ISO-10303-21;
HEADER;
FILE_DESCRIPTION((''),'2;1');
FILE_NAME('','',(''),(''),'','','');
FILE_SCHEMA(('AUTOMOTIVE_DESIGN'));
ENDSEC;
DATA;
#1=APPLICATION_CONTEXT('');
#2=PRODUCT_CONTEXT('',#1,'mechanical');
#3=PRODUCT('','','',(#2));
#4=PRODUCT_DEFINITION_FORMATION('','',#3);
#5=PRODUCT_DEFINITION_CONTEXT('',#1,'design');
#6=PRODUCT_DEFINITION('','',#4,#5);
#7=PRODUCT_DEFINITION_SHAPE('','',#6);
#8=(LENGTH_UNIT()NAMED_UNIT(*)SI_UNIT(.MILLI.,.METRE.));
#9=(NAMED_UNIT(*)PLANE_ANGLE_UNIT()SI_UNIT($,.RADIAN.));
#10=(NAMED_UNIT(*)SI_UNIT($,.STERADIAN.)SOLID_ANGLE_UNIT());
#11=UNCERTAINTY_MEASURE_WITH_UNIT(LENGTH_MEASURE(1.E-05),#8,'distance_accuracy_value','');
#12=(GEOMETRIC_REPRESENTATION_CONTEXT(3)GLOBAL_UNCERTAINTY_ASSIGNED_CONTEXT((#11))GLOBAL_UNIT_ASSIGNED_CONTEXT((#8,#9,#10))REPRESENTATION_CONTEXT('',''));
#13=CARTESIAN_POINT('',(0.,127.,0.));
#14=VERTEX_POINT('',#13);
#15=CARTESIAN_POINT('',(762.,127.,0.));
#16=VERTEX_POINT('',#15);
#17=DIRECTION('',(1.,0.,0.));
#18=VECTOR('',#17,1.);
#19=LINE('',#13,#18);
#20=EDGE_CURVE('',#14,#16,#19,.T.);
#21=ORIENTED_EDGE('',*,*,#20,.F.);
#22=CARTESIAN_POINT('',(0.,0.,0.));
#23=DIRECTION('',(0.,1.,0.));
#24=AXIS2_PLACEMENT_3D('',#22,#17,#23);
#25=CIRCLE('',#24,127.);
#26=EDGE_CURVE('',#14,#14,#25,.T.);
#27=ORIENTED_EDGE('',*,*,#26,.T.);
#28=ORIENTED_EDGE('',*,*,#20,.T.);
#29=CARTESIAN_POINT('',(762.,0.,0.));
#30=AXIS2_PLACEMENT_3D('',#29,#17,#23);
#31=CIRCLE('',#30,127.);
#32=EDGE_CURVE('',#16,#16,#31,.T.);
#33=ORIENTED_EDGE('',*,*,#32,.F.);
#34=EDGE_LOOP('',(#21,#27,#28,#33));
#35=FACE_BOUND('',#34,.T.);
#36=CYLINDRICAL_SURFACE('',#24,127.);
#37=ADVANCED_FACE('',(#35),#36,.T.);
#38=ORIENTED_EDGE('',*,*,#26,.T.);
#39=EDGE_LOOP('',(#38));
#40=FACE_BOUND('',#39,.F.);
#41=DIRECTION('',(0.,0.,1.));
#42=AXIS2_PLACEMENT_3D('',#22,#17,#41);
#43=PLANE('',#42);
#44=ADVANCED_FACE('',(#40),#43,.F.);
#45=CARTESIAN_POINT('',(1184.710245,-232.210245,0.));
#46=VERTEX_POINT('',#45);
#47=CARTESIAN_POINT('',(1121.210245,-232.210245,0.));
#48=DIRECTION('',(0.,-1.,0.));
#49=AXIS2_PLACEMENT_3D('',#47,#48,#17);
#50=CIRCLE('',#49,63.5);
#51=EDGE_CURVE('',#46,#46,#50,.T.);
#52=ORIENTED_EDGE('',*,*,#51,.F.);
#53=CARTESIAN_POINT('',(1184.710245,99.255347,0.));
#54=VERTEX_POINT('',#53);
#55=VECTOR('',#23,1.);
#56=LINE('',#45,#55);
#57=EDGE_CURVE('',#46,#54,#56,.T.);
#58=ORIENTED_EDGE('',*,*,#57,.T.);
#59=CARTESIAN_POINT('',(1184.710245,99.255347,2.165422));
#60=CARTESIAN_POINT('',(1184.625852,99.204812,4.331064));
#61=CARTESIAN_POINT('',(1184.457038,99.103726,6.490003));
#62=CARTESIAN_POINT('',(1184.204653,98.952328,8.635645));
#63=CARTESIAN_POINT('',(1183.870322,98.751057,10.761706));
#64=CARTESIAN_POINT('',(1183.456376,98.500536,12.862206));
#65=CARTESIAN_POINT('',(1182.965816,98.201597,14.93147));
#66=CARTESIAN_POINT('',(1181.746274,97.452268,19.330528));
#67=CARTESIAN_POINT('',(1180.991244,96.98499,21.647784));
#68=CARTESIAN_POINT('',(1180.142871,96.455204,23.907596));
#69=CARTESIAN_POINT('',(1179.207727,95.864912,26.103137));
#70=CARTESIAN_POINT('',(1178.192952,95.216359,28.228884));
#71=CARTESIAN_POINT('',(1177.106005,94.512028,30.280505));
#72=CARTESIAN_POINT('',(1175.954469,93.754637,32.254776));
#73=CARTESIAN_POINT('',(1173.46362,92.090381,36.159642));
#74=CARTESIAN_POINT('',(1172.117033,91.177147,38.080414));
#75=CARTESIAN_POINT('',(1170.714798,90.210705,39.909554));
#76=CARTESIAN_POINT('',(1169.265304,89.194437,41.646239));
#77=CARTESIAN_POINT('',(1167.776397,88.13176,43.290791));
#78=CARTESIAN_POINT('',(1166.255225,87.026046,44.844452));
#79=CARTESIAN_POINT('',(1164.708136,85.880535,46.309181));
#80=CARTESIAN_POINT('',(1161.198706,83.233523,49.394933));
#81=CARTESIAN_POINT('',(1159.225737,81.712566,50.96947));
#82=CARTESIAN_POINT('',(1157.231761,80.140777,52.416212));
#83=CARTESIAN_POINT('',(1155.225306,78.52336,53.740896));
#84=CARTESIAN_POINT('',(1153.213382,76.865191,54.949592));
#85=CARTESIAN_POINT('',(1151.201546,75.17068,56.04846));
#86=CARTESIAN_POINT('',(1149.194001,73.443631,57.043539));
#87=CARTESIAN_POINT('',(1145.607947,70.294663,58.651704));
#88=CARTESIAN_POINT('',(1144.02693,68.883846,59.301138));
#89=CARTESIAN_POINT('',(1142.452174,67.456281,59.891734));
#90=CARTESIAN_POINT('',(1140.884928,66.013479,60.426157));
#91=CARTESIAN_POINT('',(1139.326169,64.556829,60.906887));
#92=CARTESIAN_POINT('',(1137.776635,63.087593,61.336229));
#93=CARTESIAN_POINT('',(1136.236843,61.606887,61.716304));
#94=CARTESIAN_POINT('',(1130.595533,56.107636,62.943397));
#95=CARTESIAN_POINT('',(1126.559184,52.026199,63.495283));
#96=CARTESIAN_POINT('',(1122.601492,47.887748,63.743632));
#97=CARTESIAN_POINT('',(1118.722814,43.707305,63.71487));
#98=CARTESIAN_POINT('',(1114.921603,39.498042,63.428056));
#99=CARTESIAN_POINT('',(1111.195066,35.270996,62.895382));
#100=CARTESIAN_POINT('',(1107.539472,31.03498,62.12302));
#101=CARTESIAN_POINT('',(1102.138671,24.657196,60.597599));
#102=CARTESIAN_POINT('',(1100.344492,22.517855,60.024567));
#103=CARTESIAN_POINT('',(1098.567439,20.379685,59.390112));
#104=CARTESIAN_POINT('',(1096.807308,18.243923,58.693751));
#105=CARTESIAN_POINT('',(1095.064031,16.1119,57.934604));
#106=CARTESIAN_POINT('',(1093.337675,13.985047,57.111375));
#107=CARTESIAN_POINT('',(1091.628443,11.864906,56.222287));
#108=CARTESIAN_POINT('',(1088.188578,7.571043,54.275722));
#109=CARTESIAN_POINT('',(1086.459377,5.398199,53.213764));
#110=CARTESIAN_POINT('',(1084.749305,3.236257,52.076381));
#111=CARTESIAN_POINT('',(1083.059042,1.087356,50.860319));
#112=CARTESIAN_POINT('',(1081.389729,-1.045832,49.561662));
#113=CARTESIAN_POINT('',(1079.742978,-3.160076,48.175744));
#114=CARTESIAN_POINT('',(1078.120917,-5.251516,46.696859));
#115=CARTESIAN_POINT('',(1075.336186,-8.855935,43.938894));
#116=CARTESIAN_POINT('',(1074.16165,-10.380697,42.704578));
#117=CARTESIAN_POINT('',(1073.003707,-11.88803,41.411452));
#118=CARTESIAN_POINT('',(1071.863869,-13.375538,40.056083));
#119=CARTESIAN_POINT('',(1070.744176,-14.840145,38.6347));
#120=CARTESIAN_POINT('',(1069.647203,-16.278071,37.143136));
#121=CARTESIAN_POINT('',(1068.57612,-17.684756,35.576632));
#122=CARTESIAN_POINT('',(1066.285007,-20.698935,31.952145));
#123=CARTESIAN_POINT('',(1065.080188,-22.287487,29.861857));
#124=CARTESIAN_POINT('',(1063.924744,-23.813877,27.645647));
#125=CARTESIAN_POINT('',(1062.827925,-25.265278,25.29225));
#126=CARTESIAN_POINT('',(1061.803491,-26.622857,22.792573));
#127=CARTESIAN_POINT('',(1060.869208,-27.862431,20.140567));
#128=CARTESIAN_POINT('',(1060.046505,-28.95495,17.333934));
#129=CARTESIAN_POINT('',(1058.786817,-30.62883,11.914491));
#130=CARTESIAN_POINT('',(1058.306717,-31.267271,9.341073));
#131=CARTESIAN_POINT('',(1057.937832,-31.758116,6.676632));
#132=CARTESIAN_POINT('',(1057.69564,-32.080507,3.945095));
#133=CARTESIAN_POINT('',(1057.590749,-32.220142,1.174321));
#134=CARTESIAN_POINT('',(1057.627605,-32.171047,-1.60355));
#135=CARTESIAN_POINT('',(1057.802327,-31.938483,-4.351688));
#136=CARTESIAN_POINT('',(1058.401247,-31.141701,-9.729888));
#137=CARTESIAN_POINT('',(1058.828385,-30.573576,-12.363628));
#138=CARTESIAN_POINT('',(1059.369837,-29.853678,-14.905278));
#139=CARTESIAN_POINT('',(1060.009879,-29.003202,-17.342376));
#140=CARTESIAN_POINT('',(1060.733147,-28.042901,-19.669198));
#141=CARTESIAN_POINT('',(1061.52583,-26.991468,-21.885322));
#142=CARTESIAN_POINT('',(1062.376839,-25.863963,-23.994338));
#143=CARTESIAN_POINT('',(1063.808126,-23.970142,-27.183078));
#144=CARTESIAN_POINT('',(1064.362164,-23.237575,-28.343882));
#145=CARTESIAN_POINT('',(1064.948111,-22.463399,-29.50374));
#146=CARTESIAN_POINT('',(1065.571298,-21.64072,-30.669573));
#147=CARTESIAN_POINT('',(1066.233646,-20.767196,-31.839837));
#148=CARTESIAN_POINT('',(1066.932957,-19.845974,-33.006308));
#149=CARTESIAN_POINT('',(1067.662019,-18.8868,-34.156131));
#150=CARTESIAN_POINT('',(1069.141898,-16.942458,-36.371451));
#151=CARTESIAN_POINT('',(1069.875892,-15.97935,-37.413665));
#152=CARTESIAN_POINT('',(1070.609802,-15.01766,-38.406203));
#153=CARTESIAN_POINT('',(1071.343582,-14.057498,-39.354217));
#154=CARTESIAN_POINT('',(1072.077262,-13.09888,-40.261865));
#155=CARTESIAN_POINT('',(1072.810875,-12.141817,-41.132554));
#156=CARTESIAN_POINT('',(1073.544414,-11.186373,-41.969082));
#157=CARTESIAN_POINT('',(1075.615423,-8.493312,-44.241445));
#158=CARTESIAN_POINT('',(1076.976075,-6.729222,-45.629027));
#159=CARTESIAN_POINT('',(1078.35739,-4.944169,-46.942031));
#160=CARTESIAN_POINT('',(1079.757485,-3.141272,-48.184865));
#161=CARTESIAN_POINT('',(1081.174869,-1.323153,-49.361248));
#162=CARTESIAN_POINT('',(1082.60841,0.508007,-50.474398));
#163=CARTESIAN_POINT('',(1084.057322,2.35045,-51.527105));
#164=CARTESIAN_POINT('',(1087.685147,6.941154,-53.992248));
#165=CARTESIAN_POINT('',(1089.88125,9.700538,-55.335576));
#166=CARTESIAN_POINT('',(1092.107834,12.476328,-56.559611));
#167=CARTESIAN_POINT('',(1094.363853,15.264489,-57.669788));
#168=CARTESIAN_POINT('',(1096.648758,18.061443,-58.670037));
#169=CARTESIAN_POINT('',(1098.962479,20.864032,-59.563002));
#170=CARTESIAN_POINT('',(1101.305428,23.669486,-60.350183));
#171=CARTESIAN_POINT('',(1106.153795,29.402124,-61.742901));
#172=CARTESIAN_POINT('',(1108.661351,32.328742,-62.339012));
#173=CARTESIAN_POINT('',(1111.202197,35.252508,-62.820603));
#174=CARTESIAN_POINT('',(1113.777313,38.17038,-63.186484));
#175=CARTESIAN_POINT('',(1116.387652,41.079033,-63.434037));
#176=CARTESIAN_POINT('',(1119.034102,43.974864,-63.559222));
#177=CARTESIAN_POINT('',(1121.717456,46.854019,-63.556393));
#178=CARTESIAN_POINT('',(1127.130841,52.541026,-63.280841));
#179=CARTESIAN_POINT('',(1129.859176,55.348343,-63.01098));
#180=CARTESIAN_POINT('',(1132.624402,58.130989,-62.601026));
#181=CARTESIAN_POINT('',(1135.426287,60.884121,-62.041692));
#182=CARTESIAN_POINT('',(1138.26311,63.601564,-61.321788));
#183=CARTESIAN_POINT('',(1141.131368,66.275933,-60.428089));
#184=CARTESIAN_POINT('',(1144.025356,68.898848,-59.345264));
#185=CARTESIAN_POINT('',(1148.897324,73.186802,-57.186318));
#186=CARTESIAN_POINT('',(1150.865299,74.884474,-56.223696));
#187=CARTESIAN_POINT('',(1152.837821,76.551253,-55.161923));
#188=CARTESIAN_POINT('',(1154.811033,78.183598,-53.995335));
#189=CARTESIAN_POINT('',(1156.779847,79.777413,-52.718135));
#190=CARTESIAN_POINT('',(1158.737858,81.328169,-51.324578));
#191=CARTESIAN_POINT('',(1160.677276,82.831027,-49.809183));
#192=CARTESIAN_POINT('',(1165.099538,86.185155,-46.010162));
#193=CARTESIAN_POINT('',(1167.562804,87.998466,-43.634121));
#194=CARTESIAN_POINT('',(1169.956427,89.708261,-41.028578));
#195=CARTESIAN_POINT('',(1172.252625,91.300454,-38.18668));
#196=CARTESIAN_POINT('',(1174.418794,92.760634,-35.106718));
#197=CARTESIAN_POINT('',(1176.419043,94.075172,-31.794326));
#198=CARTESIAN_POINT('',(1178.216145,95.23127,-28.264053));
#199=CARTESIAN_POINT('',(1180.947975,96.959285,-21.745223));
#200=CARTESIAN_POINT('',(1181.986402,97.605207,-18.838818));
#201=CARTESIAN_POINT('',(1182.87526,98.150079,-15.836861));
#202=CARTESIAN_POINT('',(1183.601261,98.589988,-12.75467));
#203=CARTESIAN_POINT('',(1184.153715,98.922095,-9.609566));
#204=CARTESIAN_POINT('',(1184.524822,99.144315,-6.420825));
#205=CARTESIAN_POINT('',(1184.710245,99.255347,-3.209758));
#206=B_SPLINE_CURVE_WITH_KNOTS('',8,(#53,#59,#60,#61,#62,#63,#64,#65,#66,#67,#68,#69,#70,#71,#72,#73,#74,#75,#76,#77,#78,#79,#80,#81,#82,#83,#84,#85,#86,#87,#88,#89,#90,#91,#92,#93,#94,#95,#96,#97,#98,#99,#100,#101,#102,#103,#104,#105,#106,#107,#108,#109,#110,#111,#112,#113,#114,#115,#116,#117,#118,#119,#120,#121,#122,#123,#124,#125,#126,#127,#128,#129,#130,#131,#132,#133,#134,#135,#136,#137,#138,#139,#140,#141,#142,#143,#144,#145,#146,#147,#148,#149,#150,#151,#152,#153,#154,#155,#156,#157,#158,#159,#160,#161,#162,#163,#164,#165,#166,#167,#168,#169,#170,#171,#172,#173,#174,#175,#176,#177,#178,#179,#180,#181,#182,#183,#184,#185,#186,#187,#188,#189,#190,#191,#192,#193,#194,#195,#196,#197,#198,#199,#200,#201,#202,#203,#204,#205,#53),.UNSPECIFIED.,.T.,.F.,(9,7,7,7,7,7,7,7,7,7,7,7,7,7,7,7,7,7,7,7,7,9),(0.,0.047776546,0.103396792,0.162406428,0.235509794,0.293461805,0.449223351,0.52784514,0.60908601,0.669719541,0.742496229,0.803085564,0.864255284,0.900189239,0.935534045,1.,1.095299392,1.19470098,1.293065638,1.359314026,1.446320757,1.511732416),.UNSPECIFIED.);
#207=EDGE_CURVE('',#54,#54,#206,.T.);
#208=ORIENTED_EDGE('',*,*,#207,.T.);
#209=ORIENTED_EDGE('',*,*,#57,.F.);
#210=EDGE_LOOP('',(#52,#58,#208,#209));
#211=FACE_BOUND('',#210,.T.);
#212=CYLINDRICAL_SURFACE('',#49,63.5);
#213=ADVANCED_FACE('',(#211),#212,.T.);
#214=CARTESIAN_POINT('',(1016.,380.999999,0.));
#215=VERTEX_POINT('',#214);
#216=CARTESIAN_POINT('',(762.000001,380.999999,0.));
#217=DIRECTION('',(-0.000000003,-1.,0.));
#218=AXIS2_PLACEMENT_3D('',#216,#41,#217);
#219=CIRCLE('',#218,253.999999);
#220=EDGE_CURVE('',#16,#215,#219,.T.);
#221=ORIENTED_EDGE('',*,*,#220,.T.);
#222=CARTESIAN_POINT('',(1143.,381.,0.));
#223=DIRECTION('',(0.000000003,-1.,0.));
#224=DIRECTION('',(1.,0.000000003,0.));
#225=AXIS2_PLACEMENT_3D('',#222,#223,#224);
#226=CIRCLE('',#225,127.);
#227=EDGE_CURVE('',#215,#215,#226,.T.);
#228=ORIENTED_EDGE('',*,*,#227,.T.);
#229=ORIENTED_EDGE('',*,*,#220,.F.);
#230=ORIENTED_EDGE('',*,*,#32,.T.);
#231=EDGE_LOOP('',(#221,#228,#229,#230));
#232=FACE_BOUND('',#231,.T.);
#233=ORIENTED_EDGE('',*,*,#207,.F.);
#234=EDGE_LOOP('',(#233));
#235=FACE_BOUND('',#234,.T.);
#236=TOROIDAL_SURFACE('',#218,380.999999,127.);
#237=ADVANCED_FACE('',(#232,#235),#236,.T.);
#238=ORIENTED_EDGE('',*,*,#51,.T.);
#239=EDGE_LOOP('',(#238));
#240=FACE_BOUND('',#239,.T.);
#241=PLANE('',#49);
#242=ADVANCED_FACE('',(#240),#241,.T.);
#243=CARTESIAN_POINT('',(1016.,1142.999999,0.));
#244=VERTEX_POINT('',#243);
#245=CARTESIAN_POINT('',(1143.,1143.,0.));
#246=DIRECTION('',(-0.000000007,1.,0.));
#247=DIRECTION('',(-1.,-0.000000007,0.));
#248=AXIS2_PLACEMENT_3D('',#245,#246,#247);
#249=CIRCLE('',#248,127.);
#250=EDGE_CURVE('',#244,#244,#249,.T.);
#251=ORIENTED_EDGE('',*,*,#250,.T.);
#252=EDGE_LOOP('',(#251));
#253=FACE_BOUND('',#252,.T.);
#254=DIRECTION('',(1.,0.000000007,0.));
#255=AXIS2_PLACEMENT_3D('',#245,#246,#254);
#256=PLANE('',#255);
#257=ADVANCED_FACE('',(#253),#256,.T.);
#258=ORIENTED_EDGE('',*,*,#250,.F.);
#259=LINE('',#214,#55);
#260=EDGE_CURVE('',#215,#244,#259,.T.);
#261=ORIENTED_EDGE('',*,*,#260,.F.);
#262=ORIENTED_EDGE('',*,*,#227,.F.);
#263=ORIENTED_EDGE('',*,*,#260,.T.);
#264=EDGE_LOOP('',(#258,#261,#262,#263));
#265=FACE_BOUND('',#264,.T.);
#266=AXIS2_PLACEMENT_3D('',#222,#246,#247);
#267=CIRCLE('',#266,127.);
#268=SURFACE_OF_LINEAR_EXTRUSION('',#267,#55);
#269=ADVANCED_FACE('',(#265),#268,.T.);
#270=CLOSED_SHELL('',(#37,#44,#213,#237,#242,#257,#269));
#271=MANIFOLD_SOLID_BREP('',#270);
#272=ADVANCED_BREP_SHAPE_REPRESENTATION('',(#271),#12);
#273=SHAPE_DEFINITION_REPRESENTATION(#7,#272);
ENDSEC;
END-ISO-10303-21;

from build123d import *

# Parameters (mm, degrees)
F1_R     = 127
F4_R     = 63.5
F5_DEPTH = 558.8


with BuildPart() as f2:
    # F2: sweep along a path in F0
    with BuildLine(Plane.XY) as f2_path:
        Line((0, 0), (762, 0))
        ThreePointArc((762, 0), (1031.407684, 111.592316), (1143, 381))
        Line((1143, 381), (1143, 1143))
    # F1 (on Right) → F2 (sweep)
    with BuildSketch(Plane.YZ):
        Circle(F1_R)
    sweep(path=f2_path.line)

    # F4 (on face) → F5 (join)
    with BuildSketch(Plane.XZ.offset(232.210245)):
        with Locations((1121.210245, 0)):
            Circle(F4_R)
    extrude(amount=-F5_DEPTH)


solid = f2.part
